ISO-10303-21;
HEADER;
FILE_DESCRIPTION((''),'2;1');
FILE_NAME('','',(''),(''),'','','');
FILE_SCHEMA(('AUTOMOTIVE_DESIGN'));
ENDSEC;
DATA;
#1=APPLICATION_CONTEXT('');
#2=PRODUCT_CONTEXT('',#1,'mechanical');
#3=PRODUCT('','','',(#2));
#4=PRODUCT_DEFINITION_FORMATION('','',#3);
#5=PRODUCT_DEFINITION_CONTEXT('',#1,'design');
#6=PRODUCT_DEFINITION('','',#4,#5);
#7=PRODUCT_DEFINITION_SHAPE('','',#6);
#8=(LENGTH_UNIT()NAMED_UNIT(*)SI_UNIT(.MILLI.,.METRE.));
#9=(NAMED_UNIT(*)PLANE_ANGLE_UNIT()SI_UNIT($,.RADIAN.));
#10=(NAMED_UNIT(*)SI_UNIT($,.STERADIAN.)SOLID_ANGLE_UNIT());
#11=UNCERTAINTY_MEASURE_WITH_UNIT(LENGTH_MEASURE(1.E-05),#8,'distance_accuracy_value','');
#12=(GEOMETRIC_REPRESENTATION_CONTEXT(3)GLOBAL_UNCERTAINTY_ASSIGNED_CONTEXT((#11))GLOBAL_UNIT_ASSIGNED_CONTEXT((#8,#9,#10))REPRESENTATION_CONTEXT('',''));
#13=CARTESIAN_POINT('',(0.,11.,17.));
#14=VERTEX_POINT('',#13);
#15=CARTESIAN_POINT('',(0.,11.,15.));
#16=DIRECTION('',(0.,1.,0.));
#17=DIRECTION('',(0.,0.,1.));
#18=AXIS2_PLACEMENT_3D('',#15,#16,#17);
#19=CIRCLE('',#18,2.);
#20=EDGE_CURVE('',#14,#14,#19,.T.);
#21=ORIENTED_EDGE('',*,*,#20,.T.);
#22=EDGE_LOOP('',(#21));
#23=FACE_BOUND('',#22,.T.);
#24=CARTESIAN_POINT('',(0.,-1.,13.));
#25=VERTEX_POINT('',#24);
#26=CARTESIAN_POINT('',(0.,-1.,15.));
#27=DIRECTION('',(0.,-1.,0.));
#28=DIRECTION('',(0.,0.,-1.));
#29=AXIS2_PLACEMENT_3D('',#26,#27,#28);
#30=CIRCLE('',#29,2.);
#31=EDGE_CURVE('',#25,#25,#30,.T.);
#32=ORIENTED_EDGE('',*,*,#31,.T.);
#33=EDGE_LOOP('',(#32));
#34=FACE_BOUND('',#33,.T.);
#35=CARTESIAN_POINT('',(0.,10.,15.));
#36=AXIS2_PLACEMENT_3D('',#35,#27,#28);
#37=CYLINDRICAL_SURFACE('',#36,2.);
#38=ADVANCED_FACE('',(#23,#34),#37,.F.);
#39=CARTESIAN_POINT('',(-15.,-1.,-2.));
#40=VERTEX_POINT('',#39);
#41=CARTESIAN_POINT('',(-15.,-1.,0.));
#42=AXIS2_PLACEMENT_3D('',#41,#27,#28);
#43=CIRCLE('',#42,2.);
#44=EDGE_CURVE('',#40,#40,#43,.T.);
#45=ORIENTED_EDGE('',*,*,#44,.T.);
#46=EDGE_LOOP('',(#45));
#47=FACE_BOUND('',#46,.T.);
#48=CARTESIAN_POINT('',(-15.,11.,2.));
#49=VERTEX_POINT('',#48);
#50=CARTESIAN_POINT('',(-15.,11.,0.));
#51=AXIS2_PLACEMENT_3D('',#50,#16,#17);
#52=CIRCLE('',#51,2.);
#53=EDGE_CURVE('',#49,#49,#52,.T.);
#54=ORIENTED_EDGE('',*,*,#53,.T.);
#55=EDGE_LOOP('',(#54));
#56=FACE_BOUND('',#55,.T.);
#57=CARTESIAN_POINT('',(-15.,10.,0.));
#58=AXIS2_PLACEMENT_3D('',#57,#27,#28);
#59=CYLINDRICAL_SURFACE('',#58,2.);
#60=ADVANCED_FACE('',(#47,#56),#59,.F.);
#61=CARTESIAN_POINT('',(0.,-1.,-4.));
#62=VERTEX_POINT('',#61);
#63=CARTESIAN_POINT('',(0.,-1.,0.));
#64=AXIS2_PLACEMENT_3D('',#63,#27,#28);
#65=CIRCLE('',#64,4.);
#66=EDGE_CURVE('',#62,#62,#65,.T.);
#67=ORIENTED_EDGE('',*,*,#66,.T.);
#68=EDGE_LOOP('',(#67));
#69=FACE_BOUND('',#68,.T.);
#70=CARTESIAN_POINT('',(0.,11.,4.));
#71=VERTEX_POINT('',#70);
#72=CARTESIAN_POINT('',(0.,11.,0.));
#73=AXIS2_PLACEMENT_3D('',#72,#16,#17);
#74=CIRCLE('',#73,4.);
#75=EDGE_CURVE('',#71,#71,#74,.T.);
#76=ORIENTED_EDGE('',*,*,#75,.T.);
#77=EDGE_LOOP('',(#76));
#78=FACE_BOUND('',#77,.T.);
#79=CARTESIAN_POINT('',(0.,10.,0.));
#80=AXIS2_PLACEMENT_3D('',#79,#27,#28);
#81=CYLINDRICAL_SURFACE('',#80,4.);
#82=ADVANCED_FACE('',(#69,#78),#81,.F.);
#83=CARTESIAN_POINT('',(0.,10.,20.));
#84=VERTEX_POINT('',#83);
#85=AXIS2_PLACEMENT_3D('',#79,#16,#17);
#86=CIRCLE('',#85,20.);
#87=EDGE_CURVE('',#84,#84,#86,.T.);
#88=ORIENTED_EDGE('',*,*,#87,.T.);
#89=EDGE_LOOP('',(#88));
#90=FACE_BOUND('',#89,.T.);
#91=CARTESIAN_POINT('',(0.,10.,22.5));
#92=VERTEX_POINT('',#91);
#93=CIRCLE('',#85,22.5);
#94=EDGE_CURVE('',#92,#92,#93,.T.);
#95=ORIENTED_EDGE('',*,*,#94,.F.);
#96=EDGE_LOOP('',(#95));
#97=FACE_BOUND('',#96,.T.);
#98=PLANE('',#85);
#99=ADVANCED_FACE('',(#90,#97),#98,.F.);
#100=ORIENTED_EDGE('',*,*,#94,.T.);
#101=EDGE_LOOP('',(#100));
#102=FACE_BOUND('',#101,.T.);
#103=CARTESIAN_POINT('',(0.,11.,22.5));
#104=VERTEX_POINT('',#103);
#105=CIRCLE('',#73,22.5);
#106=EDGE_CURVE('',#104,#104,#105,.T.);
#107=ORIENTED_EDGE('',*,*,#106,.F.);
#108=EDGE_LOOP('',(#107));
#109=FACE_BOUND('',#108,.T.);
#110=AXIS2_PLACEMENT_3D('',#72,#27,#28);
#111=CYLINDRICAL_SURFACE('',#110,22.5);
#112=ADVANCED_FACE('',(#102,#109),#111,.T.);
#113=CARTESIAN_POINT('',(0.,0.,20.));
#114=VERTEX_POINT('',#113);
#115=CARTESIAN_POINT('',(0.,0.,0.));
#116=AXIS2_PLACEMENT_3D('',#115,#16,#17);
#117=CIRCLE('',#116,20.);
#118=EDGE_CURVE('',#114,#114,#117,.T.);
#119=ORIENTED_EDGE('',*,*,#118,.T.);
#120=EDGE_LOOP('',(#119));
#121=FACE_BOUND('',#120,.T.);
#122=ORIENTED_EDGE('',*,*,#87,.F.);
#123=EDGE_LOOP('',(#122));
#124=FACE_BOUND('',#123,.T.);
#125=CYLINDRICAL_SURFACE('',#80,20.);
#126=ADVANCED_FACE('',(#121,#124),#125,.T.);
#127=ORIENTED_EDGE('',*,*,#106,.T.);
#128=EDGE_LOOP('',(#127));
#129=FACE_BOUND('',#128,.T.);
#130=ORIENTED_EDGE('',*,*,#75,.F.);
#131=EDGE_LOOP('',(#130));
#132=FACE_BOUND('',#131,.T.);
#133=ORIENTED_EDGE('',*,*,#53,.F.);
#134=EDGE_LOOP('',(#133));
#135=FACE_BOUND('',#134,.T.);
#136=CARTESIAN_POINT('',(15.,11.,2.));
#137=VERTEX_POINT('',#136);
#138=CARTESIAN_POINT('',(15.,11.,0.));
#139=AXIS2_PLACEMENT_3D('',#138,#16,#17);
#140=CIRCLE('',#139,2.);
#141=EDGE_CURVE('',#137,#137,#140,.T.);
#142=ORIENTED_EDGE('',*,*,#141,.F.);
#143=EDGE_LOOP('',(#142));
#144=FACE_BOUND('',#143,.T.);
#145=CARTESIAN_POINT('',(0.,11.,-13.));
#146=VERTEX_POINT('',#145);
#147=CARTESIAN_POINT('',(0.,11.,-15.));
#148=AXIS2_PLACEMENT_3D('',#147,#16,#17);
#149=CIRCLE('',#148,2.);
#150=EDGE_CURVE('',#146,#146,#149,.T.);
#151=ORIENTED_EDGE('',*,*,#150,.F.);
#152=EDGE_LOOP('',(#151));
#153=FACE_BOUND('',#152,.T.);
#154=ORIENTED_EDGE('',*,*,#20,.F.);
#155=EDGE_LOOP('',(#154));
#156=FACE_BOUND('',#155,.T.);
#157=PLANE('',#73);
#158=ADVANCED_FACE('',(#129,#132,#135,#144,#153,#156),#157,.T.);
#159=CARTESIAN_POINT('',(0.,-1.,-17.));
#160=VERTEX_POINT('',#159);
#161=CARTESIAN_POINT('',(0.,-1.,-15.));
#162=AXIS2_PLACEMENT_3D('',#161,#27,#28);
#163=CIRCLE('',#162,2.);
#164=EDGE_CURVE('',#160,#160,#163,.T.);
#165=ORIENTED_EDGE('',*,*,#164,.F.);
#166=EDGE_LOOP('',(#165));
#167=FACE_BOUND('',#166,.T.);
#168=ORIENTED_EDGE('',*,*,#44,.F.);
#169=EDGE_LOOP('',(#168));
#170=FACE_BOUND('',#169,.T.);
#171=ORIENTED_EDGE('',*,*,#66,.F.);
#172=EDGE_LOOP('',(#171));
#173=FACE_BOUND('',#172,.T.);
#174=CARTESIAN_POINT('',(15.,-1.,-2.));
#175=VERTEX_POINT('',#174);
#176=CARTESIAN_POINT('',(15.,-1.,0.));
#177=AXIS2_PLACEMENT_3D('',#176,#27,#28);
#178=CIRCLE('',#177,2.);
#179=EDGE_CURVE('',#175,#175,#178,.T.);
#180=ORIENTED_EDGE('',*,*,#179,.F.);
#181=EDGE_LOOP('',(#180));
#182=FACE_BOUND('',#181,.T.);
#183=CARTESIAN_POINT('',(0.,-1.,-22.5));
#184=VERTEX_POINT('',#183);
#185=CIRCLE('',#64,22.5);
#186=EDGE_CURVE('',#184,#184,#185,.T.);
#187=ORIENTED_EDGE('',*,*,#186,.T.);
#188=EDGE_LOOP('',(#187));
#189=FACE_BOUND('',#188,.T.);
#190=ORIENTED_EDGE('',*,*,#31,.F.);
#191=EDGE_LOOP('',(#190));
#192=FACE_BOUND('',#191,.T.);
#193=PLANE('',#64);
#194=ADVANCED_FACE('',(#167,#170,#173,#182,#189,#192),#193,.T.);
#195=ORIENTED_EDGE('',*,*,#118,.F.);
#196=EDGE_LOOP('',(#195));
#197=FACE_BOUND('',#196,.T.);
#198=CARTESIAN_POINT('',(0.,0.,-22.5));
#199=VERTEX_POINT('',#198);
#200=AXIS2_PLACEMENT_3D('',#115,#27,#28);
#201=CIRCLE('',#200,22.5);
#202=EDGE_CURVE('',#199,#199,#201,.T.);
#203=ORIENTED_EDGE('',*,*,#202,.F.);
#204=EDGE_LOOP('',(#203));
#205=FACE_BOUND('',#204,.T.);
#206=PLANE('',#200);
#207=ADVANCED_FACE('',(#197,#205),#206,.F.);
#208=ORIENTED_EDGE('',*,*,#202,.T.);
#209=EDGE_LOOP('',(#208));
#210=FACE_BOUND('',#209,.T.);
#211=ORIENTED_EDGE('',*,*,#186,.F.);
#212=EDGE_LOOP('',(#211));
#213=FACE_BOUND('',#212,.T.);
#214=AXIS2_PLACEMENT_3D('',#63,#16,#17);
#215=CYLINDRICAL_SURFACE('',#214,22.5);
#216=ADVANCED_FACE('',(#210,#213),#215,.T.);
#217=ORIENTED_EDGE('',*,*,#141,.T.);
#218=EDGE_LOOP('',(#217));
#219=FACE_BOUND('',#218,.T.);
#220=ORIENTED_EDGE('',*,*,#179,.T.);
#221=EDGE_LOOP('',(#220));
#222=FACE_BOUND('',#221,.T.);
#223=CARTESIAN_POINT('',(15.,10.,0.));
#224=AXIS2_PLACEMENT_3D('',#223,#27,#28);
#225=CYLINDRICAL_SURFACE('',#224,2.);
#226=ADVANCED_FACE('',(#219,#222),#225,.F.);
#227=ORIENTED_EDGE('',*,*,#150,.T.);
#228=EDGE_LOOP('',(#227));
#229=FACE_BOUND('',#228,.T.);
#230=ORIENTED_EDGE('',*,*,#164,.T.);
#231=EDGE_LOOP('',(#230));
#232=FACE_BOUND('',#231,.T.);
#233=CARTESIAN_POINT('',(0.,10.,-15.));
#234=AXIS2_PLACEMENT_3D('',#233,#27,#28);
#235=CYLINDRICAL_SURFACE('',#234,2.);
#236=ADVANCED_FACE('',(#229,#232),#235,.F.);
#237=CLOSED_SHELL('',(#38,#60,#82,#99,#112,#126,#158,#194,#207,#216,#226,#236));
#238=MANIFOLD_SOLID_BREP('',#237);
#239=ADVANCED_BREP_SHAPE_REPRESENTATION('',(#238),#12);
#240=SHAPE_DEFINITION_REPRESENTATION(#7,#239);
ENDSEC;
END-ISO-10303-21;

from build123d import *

# Parameters (mm, degrees)
SKETCH_1_R      = 20
SKETCH_1_R_2    = 2
SKETCH_1_R_3    = 4
EXTRUDE_1_DEPTH = 10
SKETCH_2_R      = 22.5
SKETCH_2_R_2    = 4
SKETCH_2_R_3    = 2
EXTRUDE_2_DEPTH = 1
EXTRUDE_START   = 1
SKETCH_3_R      = 22.5
SKETCH_3_R_2    = 4
SKETCH_3_R_3    = 2
EXTRUDE_3_DEPTH = 1


with BuildPart() as part:
    # 草图1 → 凸台-拉伸1 (new body)
    with BuildSketch(Plane(origin=(0, 0, 0), x_dir=(1, 0, 0), z_dir=(0, 1, 0))):
        with Locations(Location((0, 0, 0), (0, 0, 270))):
            Circle(SKETCH_1_R)
        with Locations(Location((0, 15, 0), (0, 0, 270))):
            Circle(SKETCH_1_R_2, mode=Mode.SUBTRACT)
        with Locations(Location((15, 0, 0), (0, 0, 270))):
            Circle(SKETCH_1_R_2, mode=Mode.SUBTRACT)
        with Locations(Location((0, -15, 0), (0, 0, 270))):
            Circle(SKETCH_1_R_2, mode=Mode.SUBTRACT)
        with Locations(Location((-15, 0, 0), (0, 0, 270))):
            Circle(SKETCH_1_R_2, mode=Mode.SUBTRACT)
        with Locations(Location((0, 0, 0), (0, 0, 270))):
            Circle(SKETCH_1_R_3, mode=Mode.SUBTRACT)
    extrude(amount=EXTRUDE_1_DEPTH)

    # 草图2 → 凸台-拉伸2 (add)
    with BuildSketch(Plane(origin=(0, 10, 0), x_dir=(1, 0, 0), z_dir=(0, 1, 0))):
        with Locations(Location((0, 0, 0), (0, 0, 270))):
            Circle(SKETCH_2_R)
        with Locations(Location((0, 0, 0), (0, 0, 270))):
            Circle(SKETCH_2_R_2, mode=Mode.SUBTRACT)
        with Locations(Location((-15, 0, 0), (0, 0, 270))):
            Circle(SKETCH_2_R_3, mode=Mode.SUBTRACT)
        with Locations(Location((0, 15, 0), (0, 0, 270))):
            Circle(SKETCH_2_R_3, mode=Mode.SUBTRACT)
        with Locations(Location((15, 0, 0), (0, 0, 270))):
            Circle(SKETCH_2_R_3, mode=Mode.SUBTRACT)
        with Locations(Location((0, -15, 0), (0, 0, 270))):
            Circle(SKETCH_2_R_3, mode=Mode.SUBTRACT)
    extrude(amount=EXTRUDE_2_DEPTH)

    # 草图3 → 凸台-拉伸3 (add)
    with BuildSketch(Plane.XZ.offset(EXTRUDE_START)):
        with Locations(Location((0, 0, 0), (0, 0, 90))):
            Circle(SKETCH_3_R)
        with Locations(Location((0, 0, 0), (0, 0, 270))):
            Circle(SKETCH_3_R_2, mode=Mode.SUBTRACT)
        with Locations(Location((15, 0, 0), (0, 0, 270))):
            Circle(SKETCH_3_R_3, mode=Mode.SUBTRACT)
        with Locations(Location((0, -15, 0), (0, 0, 270))):
            Circle(SKETCH_3_R_3, mode=Mode.SUBTRACT)
        with Locations(Location((-15, 0, 0), (0, 0, 270))):
            Circle(SKETCH_3_R_3, mode=Mode.SUBTRACT)
        with Locations(Location((0, 15, 0), (0, 0, 270))):
            Circle(SKETCH_3_R_3, mode=Mode.SUBTRACT)
    extrude(amount=-EXTRUDE_3_DEPTH)


solid = part.part
